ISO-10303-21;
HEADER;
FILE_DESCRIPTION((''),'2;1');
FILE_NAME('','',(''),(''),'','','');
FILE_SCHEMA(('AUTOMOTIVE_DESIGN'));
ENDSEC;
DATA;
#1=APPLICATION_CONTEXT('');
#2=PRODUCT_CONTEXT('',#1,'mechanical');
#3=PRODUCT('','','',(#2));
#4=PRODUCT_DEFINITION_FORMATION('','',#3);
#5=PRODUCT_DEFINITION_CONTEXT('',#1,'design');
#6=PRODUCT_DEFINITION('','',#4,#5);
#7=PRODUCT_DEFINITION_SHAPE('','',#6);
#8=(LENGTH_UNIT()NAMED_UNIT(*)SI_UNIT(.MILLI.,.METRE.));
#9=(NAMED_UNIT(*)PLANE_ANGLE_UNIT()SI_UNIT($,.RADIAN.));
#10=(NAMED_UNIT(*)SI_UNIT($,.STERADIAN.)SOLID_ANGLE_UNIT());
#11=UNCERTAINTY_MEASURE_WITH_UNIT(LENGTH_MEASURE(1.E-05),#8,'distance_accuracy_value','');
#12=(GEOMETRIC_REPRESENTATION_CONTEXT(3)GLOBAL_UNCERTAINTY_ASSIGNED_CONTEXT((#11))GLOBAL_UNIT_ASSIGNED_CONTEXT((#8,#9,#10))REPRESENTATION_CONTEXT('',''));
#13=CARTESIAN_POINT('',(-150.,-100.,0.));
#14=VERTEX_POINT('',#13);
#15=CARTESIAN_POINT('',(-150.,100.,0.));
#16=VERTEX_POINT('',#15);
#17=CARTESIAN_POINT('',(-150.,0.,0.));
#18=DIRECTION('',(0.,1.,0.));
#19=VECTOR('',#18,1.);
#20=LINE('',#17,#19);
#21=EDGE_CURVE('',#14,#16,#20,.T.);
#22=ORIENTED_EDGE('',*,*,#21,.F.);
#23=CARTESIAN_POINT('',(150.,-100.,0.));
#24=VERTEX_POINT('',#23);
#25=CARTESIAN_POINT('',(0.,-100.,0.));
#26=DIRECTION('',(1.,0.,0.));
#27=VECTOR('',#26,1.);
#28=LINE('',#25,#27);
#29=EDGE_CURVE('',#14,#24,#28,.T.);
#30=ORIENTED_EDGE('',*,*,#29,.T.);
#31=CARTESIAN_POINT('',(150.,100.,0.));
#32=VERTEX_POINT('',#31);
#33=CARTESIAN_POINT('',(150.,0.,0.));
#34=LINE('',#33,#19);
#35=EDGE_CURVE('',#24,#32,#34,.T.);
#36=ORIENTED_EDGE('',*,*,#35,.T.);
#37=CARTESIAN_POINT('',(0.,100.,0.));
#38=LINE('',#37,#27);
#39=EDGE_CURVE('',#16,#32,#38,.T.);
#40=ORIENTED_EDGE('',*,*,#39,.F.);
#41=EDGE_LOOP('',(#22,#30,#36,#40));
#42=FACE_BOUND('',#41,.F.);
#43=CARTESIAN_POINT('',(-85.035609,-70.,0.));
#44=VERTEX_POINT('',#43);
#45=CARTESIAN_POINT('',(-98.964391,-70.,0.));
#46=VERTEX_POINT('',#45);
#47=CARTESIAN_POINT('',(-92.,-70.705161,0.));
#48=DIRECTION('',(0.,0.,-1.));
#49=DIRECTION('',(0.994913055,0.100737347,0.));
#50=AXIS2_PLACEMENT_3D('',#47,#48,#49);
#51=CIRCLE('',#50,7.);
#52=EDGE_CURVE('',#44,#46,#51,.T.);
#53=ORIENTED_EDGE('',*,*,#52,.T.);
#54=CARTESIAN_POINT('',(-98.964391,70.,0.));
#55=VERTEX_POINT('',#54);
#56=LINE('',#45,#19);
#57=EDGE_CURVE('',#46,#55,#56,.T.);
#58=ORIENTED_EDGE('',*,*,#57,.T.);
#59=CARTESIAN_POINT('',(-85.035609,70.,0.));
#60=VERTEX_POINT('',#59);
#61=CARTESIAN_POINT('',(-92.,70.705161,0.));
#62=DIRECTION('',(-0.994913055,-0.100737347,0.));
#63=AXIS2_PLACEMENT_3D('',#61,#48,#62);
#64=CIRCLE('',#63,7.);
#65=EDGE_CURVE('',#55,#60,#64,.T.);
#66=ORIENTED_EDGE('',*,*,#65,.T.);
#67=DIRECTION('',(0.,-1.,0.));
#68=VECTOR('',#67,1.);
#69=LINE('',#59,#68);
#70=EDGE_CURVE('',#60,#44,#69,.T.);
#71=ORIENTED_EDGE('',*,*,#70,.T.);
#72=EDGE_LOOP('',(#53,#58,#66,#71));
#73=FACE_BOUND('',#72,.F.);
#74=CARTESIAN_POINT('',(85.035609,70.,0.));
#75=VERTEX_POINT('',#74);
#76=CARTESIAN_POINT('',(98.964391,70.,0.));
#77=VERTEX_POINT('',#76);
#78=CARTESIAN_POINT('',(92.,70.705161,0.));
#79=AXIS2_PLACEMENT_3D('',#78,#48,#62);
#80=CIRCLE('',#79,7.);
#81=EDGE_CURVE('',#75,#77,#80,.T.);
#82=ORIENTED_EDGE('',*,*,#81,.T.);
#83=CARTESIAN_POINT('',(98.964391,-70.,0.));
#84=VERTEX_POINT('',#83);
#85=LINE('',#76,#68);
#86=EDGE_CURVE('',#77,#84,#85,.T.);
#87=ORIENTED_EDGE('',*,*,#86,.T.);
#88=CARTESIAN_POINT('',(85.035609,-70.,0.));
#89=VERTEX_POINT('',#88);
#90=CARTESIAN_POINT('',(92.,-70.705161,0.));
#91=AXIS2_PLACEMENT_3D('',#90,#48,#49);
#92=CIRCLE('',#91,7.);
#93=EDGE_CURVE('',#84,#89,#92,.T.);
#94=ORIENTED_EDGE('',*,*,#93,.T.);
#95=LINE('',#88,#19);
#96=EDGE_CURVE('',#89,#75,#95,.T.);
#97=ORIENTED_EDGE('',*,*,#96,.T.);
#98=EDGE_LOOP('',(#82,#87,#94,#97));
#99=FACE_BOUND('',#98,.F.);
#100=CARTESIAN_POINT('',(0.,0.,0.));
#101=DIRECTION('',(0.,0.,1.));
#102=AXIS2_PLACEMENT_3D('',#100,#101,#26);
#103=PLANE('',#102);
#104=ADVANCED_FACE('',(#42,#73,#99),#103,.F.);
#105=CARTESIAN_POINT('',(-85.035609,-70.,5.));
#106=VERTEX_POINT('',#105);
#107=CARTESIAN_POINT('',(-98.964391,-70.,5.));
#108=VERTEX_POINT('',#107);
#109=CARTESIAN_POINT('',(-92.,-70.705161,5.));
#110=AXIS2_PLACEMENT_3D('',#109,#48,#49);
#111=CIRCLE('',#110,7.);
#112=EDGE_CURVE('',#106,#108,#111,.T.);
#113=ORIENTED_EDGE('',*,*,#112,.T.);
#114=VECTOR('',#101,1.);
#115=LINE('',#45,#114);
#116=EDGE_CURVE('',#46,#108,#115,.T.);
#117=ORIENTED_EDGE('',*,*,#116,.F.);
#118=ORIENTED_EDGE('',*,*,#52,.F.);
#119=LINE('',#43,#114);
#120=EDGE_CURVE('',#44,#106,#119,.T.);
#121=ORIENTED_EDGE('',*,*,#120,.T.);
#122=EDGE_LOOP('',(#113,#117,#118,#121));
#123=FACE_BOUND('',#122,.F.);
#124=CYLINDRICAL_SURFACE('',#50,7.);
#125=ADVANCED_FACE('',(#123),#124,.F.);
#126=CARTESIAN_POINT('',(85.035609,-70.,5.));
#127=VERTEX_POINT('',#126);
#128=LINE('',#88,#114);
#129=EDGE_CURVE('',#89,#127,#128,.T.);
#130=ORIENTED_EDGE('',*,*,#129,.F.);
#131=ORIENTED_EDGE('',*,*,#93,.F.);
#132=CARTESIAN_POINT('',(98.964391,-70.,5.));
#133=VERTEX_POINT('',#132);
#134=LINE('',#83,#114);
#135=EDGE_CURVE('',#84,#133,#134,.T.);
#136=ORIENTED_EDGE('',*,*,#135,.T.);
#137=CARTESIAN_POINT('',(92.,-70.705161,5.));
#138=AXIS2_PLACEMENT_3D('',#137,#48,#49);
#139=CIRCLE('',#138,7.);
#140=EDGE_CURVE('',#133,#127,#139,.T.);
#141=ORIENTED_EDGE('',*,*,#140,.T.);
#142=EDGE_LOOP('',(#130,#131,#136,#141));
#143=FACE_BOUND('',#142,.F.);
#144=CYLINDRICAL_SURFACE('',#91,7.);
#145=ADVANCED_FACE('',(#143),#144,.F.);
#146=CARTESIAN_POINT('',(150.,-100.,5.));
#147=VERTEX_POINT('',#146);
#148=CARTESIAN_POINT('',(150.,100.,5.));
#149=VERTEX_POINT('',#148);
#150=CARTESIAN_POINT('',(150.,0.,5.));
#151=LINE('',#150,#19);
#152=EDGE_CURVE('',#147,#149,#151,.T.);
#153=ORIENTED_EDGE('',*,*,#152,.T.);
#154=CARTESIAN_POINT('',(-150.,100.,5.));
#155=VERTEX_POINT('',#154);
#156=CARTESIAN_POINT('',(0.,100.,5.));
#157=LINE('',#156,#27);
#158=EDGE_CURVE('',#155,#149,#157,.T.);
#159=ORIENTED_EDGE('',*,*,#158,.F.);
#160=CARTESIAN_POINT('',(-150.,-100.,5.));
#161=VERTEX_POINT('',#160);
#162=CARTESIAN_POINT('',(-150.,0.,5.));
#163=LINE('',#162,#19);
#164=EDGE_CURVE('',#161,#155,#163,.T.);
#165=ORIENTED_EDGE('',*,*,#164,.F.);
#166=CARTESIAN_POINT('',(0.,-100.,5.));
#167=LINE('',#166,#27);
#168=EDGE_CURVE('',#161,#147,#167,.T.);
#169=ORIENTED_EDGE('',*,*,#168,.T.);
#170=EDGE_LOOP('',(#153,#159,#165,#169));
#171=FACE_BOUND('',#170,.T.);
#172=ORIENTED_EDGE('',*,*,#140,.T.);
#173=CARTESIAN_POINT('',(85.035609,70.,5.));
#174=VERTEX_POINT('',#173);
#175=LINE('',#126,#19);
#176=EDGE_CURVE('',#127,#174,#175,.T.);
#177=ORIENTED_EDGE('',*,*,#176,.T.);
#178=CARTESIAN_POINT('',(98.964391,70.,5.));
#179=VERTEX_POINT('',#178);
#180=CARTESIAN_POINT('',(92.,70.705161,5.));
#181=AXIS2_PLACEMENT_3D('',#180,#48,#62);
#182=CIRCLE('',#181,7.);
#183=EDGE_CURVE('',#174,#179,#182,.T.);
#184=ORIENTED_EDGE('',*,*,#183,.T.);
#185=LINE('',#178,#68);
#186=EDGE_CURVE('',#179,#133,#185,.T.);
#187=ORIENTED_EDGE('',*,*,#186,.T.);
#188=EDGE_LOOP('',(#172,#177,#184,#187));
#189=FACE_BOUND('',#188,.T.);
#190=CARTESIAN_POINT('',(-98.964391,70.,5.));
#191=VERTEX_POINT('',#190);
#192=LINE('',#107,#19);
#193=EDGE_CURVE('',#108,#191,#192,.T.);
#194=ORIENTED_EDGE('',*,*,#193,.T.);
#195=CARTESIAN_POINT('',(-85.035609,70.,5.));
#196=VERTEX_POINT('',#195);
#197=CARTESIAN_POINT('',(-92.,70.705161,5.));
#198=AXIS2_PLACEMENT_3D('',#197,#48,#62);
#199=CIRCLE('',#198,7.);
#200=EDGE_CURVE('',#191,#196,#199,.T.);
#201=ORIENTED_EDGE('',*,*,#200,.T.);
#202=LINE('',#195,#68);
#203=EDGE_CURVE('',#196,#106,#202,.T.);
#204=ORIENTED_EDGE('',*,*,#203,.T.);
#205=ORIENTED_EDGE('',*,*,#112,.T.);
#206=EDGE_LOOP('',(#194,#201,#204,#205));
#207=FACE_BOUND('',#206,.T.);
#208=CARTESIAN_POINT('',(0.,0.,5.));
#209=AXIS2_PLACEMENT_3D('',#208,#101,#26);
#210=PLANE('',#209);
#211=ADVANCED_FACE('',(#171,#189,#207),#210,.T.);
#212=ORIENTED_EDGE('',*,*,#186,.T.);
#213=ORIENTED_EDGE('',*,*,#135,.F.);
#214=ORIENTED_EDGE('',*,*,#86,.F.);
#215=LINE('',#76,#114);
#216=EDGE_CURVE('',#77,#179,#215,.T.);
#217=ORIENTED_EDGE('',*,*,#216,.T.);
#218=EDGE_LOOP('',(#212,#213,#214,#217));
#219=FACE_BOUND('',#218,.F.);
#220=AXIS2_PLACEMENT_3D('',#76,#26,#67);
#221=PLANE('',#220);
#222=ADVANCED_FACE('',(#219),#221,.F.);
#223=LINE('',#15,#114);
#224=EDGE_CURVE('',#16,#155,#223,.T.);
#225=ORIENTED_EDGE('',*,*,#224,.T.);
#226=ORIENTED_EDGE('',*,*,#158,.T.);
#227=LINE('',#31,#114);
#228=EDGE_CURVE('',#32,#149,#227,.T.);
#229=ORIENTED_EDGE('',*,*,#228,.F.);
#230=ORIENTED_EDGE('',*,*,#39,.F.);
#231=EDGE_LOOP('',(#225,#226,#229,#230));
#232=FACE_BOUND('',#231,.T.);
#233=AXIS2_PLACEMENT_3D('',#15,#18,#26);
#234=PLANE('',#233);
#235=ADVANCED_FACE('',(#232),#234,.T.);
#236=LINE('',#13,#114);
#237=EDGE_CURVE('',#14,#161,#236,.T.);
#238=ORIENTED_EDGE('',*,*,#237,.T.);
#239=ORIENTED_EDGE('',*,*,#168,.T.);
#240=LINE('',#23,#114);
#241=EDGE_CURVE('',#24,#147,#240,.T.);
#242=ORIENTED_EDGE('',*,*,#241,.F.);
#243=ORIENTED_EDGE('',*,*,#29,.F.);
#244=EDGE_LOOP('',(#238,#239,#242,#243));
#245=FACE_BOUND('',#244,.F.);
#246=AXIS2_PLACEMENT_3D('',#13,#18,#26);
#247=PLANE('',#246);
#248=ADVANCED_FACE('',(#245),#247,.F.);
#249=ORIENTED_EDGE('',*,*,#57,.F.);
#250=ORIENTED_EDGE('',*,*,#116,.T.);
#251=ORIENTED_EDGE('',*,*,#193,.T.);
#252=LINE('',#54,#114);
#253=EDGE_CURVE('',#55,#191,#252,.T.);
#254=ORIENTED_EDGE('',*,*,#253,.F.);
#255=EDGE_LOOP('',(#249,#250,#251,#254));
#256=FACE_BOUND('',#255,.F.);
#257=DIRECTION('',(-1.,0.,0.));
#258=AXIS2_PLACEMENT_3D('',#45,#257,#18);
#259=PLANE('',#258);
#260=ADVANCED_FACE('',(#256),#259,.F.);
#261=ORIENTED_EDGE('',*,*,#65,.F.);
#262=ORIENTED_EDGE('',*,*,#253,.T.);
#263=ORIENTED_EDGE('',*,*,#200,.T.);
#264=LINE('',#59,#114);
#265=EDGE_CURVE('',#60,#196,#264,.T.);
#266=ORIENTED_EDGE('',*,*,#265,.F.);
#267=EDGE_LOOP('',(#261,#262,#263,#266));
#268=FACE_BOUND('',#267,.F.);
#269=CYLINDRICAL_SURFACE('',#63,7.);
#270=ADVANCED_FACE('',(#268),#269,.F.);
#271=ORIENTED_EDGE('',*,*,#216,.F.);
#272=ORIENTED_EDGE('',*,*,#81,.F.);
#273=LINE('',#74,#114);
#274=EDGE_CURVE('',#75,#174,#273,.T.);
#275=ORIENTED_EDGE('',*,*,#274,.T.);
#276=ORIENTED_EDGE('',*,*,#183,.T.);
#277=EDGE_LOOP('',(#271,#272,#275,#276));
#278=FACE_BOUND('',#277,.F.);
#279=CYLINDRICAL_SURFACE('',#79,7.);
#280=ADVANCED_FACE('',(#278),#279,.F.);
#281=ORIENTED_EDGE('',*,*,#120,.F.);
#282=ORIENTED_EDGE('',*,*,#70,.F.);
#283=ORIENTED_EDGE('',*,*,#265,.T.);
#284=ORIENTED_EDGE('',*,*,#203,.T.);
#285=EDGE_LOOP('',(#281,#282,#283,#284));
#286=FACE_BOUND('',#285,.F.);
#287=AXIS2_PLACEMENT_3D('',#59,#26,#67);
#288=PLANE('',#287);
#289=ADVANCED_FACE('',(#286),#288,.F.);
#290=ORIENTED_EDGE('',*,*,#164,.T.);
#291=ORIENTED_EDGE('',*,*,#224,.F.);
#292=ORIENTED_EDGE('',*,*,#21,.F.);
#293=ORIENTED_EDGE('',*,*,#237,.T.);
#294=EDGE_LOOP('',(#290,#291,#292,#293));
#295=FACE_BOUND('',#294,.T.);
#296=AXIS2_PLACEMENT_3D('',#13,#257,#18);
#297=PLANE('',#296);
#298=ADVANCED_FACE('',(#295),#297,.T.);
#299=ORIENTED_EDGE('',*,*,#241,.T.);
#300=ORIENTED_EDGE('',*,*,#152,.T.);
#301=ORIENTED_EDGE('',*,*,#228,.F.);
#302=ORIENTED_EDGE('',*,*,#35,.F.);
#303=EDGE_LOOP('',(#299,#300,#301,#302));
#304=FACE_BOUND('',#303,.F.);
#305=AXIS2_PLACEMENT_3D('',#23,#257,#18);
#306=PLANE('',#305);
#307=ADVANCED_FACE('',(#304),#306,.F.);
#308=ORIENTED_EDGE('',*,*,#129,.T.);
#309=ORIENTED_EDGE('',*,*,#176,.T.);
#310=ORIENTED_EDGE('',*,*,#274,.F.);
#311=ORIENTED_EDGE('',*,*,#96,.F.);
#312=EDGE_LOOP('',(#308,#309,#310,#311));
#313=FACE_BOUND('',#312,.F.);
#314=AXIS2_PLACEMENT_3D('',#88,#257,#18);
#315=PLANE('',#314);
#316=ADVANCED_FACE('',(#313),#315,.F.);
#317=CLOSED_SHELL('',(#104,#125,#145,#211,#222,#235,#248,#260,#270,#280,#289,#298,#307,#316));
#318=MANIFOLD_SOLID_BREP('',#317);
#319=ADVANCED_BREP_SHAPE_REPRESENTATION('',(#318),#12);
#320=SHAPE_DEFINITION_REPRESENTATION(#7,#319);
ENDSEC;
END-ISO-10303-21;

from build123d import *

# Parameters (mm, degrees)
F0_W     = 300
F0_H     = 200
F1_DEPTH = 5


with BuildPart() as f1:
    # F0 (on Top) → F1 (new body)
    with BuildSketch(Plane.XY):
        Rectangle(F0_W, F0_H)
        with BuildLine():
            ThreePointArc((98.964391, -70), (92, -77.705161), (85.035609, -70))
            Line((85.035609, -70), (85.035609, 70))
            ThreePointArc((85.035609, 70), (92, 77.705161), (98.964391, 70))
            Line((98.964391, 70), (98.964391, -70))
        make_face(mode=Mode.SUBTRACT)
        with BuildLine():
            Line((-85.035609, 70), (-85.035609, -70))
            ThreePointArc((-85.035609, -70), (-92, -77.705161), (-98.964391, -70))
            Line((-98.964391, -70), (-98.964391, 70))
            ThreePointArc((-98.964391, 70), (-92, 77.705161), (-85.035609, 70))
        make_face(mode=Mode.SUBTRACT)
    extrude(amount=F1_DEPTH)


solid = f1.part
